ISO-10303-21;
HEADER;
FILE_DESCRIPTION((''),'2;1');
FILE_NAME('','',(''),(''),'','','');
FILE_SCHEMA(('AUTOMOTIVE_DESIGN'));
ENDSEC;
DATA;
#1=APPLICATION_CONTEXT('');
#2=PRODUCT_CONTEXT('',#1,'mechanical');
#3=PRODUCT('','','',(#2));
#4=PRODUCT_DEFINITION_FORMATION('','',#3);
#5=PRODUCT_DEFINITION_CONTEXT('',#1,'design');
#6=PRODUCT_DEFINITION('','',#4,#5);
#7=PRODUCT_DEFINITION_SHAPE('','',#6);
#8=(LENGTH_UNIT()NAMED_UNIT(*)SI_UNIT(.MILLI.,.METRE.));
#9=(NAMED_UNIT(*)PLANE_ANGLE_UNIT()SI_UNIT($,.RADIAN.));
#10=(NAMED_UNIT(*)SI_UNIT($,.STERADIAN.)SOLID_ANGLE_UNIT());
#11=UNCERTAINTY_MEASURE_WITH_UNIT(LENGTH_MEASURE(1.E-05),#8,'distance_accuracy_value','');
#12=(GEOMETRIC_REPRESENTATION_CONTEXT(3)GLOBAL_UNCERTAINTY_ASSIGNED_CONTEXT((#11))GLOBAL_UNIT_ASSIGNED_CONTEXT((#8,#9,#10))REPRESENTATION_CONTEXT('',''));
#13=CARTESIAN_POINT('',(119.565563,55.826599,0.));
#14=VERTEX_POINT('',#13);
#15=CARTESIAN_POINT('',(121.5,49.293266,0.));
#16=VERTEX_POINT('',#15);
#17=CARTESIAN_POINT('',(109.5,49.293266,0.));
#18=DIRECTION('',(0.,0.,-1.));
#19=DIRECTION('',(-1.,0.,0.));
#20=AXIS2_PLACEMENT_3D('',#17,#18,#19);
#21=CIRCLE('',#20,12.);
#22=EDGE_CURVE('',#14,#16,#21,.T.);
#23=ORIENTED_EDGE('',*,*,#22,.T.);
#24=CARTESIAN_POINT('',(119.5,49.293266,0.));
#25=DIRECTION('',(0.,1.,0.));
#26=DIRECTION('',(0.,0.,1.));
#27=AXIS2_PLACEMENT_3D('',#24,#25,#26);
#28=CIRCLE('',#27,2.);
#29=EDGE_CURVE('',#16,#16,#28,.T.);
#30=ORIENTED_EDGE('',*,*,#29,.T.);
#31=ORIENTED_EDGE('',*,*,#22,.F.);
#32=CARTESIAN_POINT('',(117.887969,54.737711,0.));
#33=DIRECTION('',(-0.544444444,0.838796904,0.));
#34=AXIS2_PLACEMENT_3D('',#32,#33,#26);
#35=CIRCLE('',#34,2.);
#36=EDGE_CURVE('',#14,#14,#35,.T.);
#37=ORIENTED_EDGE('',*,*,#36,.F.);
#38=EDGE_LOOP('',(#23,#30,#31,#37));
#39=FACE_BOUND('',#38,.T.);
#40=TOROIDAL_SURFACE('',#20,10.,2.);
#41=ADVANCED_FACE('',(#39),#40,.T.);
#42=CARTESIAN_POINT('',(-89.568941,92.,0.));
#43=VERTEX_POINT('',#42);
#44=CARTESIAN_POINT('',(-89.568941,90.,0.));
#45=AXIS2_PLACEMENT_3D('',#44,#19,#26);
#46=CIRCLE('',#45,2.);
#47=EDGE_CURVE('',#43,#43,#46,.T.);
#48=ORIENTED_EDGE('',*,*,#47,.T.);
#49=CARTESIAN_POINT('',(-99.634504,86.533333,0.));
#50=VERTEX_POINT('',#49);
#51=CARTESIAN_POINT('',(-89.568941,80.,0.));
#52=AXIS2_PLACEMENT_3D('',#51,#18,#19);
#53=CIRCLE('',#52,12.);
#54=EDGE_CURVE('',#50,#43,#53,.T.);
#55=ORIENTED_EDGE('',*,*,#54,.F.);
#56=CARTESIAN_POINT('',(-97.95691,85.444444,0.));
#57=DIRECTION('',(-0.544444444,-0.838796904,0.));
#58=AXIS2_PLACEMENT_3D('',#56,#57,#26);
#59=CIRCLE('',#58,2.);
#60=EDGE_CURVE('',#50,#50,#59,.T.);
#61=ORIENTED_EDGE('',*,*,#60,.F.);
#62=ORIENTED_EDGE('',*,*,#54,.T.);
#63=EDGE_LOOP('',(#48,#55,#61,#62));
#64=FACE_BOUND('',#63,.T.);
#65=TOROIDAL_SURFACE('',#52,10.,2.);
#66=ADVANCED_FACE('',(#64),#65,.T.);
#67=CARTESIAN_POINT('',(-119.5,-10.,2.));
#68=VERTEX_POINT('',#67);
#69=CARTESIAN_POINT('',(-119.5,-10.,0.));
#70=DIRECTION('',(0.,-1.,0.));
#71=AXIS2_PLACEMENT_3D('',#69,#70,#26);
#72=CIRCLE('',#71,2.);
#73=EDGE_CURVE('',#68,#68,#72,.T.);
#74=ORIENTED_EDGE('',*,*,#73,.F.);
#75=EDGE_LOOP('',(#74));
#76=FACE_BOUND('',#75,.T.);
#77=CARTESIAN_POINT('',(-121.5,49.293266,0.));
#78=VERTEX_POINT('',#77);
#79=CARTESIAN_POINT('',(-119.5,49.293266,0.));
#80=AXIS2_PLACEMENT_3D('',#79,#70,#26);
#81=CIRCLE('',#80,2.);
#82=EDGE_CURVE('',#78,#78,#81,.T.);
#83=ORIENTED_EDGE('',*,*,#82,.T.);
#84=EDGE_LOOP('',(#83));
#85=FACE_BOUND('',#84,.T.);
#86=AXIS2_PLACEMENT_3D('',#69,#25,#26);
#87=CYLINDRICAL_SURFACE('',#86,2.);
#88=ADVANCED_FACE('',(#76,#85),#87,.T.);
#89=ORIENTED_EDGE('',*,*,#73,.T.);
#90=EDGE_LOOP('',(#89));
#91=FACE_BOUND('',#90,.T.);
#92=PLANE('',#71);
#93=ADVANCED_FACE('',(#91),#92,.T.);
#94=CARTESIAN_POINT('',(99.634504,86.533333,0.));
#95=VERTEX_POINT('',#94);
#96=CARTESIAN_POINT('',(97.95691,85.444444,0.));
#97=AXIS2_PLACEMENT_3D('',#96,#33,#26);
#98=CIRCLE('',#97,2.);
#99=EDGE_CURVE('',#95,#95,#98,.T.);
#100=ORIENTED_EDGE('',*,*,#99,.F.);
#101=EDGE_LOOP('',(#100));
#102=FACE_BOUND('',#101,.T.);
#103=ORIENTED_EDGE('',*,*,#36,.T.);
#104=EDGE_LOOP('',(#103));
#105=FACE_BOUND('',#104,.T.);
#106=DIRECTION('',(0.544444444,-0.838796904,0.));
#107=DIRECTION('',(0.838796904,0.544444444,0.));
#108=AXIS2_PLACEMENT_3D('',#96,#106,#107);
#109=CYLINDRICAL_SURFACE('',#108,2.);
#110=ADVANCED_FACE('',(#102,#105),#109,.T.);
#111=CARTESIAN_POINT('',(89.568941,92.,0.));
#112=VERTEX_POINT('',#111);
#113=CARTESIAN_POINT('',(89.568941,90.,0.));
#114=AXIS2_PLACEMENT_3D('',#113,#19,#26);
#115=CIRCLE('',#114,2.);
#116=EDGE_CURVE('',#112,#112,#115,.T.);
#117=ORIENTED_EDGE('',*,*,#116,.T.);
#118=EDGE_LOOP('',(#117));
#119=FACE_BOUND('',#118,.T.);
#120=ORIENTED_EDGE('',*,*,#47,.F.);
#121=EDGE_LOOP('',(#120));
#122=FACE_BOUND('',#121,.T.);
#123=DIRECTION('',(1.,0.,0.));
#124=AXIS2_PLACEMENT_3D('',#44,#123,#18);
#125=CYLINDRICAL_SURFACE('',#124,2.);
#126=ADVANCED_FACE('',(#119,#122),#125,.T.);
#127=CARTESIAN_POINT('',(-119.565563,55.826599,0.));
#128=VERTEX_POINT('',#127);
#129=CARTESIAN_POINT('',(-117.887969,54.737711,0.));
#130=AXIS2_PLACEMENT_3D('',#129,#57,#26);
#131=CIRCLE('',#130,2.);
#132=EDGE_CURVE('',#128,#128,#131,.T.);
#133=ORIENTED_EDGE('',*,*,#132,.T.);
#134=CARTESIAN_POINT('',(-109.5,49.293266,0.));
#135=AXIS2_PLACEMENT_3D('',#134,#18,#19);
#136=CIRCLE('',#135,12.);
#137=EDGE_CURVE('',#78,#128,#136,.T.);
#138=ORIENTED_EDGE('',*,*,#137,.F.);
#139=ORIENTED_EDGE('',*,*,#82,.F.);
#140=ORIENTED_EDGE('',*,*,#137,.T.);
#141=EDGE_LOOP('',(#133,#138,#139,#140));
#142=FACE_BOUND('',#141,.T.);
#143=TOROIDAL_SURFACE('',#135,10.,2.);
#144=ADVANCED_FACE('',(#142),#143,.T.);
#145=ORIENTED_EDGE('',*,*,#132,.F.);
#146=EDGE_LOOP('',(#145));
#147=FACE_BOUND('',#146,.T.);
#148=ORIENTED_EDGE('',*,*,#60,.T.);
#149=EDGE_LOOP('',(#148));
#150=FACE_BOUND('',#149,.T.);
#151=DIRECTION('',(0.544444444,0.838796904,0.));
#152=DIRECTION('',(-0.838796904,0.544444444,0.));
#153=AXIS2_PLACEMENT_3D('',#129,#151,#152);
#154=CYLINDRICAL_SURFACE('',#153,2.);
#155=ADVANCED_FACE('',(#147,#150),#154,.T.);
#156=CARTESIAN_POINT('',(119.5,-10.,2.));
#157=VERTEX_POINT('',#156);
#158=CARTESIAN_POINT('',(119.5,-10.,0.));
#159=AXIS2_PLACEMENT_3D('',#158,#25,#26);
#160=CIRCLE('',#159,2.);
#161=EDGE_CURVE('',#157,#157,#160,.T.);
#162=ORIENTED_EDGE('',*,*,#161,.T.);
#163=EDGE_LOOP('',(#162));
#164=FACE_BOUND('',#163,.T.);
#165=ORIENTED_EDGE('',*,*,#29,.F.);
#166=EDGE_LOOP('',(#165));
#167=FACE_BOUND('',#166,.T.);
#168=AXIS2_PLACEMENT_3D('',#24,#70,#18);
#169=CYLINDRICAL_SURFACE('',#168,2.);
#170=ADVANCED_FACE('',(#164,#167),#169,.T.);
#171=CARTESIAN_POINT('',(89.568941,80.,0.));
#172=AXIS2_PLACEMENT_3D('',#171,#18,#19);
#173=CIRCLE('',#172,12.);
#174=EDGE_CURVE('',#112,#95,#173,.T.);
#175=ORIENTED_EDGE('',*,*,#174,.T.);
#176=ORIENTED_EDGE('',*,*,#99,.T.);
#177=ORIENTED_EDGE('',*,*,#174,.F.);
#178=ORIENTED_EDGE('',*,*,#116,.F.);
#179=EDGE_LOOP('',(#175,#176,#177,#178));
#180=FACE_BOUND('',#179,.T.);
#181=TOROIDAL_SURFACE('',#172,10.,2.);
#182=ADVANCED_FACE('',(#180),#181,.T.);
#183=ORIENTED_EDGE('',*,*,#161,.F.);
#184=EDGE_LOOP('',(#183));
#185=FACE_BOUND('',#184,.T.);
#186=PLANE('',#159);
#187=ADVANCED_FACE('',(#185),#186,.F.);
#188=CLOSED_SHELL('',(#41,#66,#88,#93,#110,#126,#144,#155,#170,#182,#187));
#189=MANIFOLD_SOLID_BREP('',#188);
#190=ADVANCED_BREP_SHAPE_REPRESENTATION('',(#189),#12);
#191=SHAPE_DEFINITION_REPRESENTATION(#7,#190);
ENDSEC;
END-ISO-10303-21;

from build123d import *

# Parameters (mm, degrees)
SWEEP2_PROFILE_R = 2


with BuildPart() as part:
    # Sweep2: sweep along a path in Sketch6
    with BuildLine(Plane.XY) as sweep2_path:
        Line((-119.5, -10), (-119.5, 49.293266116))
        ThreePointArc((-119.5, 49.293266116), (-119.088526749, 52.132307288), (-117.887969044, 54.737710561))
        Line((-117.887969044, 54.737710561), (-97.956909951, 85.444444444))
        ThreePointArc((-97.956909951, 85.444444444), (-94.341547928, 88.787617551), (-89.568940906, 90))
        Line((-89.568940906, 90), (89.568940906, 90))
        ThreePointArc((89.568940906, 90), (94.341547928, 88.787617551), (97.956909951, 85.444444444))
        Line((97.956909951, 85.444444444), (117.887969044, 54.737710561))
        ThreePointArc((117.887969044, 54.737710561), (119.088526749, 52.132307288), (119.5, 49.293266116))
        Line((119.5, 49.293266116), (119.5, -10))
    # Sweep2 profile (on start of the path) → Sweep2 (sweep)
    with BuildSketch(Plane(origin=(-119.5, -10, 0), x_dir=(0, 0, 1), z_dir=(0, 1, 0))):
        Circle(SWEEP2_PROFILE_R)
    sweep(path=sweep2_path.line)


solid = part.part
